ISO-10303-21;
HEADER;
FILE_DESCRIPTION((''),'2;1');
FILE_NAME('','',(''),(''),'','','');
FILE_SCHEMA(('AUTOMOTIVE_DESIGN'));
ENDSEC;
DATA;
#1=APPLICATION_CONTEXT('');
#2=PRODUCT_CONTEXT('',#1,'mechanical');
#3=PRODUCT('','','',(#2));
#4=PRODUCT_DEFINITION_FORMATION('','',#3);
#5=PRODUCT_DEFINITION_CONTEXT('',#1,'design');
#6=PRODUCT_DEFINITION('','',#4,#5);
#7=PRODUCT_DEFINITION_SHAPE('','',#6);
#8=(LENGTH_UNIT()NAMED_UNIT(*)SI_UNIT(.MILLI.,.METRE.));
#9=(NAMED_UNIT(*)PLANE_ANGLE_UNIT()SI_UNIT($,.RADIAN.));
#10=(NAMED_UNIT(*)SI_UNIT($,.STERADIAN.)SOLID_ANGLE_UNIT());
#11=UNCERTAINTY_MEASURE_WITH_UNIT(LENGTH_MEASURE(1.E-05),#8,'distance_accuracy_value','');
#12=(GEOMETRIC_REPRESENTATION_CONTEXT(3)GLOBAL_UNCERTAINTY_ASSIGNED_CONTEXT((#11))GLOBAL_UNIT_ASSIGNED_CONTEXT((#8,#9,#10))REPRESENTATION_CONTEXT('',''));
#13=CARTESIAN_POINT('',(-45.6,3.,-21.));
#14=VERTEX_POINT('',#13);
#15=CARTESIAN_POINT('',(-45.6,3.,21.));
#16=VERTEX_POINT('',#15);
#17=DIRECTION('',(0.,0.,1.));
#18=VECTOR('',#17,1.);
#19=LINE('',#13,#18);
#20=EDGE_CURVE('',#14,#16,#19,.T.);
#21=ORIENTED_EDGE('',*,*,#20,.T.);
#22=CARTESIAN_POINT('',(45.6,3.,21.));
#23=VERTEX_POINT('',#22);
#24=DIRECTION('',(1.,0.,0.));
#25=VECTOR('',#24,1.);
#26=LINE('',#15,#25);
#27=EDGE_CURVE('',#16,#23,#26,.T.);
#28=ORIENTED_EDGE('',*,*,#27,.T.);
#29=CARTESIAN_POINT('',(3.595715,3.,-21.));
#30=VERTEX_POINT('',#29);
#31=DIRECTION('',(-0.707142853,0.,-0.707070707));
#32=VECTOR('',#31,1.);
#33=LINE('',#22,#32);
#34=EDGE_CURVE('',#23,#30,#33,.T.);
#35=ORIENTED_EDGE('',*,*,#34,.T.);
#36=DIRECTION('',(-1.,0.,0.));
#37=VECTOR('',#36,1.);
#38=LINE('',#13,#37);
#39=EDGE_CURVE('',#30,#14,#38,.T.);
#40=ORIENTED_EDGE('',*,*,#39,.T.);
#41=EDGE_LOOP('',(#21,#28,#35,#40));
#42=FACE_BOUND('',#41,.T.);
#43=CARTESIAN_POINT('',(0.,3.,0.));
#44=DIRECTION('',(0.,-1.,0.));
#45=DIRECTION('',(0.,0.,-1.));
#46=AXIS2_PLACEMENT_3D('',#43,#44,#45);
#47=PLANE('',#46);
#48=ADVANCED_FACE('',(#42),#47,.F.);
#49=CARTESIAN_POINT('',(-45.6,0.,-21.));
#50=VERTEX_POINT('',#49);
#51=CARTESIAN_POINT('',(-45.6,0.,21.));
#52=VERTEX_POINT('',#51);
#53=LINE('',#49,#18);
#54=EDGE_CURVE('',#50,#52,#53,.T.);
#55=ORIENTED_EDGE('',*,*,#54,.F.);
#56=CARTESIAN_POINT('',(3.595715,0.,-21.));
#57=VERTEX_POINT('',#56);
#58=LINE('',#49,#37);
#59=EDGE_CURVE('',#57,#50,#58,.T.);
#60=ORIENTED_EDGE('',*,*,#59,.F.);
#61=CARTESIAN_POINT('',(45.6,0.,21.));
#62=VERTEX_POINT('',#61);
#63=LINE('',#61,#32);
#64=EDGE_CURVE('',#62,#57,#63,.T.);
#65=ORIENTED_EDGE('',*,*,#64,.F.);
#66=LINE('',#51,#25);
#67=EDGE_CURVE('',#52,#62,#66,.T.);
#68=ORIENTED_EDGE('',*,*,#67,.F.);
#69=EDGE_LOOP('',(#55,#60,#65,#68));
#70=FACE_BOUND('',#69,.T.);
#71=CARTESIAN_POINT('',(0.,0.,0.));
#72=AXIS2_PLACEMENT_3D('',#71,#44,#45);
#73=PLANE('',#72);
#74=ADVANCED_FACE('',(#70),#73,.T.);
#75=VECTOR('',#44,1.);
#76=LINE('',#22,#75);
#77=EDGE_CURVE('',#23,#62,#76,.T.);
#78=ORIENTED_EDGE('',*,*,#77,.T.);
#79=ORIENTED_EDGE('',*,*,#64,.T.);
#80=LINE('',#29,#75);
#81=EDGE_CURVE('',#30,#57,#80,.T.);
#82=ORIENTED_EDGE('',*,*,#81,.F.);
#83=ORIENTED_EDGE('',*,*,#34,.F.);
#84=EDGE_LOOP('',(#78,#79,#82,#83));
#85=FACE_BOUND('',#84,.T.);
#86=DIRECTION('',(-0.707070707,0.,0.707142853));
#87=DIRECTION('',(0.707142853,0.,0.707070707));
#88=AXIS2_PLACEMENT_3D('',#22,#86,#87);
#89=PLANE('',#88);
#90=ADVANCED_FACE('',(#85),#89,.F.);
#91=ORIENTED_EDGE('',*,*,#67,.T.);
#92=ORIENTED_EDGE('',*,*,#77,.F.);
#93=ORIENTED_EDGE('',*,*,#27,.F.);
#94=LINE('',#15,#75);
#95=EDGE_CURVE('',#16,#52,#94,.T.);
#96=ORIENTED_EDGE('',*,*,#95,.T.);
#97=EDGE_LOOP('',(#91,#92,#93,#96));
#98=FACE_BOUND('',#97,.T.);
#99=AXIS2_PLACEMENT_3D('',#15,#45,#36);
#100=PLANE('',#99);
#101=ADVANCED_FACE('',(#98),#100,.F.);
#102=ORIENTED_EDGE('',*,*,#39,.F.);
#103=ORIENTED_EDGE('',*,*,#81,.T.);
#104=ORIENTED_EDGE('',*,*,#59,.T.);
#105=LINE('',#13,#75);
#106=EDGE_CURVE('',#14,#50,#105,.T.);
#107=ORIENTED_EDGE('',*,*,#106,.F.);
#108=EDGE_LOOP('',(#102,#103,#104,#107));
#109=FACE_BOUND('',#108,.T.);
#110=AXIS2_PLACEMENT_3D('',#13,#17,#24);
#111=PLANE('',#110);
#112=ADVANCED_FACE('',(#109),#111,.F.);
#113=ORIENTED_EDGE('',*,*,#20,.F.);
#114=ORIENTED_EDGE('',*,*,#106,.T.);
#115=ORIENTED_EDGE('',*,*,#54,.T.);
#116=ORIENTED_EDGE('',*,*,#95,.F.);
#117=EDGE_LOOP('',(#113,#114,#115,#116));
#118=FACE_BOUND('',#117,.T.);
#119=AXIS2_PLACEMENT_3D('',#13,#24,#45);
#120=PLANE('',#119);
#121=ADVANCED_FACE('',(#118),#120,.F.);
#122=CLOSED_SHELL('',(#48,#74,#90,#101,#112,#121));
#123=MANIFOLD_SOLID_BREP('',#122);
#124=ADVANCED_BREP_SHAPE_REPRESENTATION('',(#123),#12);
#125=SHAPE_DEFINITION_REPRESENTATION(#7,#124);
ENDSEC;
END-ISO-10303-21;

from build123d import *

# Parameters (mm, degrees)
BOSS_EXTRUDE1_DEPTH = 3


with BuildPart() as part:
    # Sketch1 → Boss-Extrude1 (new body)
    with BuildSketch(Plane(origin=(0, 0, 0), x_dir=(1, 0, 0), z_dir=(0, 1, 0))):
        Polygon((45.6, -21), (3.595714504, 21), (-45.6, 21), (-45.6, -21), align=None)
    extrude(amount=BOSS_EXTRUDE1_DEPTH)


solid = part.part
